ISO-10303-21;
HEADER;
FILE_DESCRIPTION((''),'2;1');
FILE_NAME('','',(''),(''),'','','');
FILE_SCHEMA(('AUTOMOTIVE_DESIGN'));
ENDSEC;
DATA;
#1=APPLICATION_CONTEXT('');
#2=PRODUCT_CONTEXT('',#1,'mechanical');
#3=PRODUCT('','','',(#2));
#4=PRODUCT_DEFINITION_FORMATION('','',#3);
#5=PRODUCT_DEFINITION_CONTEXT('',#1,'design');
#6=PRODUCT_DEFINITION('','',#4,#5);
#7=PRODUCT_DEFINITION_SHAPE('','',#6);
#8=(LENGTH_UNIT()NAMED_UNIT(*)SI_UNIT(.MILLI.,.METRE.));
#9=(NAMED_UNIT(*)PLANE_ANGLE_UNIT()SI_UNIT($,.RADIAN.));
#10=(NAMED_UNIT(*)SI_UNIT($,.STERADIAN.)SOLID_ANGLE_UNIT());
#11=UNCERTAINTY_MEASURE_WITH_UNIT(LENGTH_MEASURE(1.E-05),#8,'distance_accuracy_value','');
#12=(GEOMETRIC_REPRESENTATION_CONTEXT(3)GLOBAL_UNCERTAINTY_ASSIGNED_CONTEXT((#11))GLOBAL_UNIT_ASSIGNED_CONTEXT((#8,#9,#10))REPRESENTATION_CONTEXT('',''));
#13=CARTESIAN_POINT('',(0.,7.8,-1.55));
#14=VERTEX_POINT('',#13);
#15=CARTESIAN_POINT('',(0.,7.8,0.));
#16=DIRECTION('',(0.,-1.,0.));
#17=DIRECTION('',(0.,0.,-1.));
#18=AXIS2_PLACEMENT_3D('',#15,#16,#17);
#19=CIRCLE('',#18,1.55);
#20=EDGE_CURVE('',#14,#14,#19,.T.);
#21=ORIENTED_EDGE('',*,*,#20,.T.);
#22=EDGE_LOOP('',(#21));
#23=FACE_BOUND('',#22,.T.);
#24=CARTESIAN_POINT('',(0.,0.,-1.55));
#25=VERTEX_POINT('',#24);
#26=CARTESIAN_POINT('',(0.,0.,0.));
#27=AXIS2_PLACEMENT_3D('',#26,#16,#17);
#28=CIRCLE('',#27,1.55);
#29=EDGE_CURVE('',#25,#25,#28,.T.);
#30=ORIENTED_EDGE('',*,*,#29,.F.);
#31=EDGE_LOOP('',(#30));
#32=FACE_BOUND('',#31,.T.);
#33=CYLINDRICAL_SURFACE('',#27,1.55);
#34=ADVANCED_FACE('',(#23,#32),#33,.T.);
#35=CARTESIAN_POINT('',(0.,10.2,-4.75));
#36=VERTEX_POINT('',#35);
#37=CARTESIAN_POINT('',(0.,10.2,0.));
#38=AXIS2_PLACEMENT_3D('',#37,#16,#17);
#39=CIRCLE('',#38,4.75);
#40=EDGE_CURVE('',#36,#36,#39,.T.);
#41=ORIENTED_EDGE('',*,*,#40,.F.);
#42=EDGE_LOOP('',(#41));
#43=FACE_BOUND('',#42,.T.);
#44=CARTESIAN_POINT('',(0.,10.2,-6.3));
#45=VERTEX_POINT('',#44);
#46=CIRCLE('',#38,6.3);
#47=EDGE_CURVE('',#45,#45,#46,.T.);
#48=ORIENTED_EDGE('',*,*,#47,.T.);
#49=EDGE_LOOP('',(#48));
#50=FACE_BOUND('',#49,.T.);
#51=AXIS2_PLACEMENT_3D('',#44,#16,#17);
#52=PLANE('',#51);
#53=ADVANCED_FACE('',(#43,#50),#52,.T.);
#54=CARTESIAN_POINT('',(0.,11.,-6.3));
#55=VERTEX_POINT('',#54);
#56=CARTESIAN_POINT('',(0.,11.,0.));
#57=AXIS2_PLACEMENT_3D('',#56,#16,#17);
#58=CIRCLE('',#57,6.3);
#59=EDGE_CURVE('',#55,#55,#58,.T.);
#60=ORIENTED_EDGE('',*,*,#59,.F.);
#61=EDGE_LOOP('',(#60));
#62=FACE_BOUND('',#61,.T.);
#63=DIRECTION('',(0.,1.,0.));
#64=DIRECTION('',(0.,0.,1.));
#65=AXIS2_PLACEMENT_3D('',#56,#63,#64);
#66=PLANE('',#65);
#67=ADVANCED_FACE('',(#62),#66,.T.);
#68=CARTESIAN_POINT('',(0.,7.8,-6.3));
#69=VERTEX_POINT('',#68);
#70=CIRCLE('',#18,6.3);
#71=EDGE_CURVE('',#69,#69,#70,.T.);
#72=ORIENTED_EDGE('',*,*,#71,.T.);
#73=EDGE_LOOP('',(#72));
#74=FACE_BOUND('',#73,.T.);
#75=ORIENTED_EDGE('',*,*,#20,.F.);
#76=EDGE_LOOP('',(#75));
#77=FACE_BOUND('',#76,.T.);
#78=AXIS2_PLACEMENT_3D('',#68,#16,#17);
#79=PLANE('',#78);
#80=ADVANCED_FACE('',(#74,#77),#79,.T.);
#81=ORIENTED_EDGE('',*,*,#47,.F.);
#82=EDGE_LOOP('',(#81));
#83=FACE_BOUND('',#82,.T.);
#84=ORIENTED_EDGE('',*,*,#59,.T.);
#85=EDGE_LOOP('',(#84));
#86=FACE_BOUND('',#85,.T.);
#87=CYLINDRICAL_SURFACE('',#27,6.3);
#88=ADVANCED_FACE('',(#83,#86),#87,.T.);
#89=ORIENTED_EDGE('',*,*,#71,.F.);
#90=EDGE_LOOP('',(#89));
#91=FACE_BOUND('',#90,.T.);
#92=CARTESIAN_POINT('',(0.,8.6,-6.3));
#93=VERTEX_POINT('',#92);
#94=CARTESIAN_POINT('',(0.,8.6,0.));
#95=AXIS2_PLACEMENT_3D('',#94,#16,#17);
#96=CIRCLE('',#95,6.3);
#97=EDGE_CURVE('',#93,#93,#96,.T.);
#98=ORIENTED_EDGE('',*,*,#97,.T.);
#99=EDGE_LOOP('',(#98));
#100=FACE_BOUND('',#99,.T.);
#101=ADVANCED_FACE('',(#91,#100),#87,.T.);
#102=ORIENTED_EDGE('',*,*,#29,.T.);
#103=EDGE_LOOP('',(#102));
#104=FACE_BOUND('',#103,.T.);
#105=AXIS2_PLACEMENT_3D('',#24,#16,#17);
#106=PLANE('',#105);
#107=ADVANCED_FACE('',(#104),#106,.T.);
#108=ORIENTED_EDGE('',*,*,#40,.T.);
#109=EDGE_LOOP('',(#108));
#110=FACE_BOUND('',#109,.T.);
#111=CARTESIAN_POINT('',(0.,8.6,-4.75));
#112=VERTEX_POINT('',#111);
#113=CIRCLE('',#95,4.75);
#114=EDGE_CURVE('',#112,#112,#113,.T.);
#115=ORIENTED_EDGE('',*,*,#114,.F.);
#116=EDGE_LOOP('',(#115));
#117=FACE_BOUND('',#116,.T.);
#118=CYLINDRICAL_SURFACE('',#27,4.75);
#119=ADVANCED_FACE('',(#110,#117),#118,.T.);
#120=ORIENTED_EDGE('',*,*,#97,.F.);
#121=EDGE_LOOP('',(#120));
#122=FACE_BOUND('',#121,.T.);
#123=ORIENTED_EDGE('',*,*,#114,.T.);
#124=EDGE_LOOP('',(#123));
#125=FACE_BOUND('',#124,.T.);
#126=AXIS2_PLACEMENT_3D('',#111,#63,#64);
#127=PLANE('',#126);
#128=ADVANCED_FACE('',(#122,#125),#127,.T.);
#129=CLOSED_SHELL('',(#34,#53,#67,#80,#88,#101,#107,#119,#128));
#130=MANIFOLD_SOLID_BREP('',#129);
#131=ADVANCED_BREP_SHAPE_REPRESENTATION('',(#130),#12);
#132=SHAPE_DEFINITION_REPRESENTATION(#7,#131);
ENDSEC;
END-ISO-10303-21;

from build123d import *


with BuildPart() as part:
    # Sketch1 → Revolve1 (revolve)
    with BuildSketch(Plane(origin=(0, 0, 0), x_dir=(0, 0, -1), z_dir=(1, 0, 0))):
        Polygon((0, 0), (0, 11), (6.3, 11), (6.3, 10.2), (4.75, 10.2), (4.75, 8.6), (6.3, 8.6), (6.3, 7.8), (1.55, 7.8), (1.55, 0), align=None)
    revolve(axis=Axis((0, 0, 0), (0, 1, 0)))


solid = part.part
